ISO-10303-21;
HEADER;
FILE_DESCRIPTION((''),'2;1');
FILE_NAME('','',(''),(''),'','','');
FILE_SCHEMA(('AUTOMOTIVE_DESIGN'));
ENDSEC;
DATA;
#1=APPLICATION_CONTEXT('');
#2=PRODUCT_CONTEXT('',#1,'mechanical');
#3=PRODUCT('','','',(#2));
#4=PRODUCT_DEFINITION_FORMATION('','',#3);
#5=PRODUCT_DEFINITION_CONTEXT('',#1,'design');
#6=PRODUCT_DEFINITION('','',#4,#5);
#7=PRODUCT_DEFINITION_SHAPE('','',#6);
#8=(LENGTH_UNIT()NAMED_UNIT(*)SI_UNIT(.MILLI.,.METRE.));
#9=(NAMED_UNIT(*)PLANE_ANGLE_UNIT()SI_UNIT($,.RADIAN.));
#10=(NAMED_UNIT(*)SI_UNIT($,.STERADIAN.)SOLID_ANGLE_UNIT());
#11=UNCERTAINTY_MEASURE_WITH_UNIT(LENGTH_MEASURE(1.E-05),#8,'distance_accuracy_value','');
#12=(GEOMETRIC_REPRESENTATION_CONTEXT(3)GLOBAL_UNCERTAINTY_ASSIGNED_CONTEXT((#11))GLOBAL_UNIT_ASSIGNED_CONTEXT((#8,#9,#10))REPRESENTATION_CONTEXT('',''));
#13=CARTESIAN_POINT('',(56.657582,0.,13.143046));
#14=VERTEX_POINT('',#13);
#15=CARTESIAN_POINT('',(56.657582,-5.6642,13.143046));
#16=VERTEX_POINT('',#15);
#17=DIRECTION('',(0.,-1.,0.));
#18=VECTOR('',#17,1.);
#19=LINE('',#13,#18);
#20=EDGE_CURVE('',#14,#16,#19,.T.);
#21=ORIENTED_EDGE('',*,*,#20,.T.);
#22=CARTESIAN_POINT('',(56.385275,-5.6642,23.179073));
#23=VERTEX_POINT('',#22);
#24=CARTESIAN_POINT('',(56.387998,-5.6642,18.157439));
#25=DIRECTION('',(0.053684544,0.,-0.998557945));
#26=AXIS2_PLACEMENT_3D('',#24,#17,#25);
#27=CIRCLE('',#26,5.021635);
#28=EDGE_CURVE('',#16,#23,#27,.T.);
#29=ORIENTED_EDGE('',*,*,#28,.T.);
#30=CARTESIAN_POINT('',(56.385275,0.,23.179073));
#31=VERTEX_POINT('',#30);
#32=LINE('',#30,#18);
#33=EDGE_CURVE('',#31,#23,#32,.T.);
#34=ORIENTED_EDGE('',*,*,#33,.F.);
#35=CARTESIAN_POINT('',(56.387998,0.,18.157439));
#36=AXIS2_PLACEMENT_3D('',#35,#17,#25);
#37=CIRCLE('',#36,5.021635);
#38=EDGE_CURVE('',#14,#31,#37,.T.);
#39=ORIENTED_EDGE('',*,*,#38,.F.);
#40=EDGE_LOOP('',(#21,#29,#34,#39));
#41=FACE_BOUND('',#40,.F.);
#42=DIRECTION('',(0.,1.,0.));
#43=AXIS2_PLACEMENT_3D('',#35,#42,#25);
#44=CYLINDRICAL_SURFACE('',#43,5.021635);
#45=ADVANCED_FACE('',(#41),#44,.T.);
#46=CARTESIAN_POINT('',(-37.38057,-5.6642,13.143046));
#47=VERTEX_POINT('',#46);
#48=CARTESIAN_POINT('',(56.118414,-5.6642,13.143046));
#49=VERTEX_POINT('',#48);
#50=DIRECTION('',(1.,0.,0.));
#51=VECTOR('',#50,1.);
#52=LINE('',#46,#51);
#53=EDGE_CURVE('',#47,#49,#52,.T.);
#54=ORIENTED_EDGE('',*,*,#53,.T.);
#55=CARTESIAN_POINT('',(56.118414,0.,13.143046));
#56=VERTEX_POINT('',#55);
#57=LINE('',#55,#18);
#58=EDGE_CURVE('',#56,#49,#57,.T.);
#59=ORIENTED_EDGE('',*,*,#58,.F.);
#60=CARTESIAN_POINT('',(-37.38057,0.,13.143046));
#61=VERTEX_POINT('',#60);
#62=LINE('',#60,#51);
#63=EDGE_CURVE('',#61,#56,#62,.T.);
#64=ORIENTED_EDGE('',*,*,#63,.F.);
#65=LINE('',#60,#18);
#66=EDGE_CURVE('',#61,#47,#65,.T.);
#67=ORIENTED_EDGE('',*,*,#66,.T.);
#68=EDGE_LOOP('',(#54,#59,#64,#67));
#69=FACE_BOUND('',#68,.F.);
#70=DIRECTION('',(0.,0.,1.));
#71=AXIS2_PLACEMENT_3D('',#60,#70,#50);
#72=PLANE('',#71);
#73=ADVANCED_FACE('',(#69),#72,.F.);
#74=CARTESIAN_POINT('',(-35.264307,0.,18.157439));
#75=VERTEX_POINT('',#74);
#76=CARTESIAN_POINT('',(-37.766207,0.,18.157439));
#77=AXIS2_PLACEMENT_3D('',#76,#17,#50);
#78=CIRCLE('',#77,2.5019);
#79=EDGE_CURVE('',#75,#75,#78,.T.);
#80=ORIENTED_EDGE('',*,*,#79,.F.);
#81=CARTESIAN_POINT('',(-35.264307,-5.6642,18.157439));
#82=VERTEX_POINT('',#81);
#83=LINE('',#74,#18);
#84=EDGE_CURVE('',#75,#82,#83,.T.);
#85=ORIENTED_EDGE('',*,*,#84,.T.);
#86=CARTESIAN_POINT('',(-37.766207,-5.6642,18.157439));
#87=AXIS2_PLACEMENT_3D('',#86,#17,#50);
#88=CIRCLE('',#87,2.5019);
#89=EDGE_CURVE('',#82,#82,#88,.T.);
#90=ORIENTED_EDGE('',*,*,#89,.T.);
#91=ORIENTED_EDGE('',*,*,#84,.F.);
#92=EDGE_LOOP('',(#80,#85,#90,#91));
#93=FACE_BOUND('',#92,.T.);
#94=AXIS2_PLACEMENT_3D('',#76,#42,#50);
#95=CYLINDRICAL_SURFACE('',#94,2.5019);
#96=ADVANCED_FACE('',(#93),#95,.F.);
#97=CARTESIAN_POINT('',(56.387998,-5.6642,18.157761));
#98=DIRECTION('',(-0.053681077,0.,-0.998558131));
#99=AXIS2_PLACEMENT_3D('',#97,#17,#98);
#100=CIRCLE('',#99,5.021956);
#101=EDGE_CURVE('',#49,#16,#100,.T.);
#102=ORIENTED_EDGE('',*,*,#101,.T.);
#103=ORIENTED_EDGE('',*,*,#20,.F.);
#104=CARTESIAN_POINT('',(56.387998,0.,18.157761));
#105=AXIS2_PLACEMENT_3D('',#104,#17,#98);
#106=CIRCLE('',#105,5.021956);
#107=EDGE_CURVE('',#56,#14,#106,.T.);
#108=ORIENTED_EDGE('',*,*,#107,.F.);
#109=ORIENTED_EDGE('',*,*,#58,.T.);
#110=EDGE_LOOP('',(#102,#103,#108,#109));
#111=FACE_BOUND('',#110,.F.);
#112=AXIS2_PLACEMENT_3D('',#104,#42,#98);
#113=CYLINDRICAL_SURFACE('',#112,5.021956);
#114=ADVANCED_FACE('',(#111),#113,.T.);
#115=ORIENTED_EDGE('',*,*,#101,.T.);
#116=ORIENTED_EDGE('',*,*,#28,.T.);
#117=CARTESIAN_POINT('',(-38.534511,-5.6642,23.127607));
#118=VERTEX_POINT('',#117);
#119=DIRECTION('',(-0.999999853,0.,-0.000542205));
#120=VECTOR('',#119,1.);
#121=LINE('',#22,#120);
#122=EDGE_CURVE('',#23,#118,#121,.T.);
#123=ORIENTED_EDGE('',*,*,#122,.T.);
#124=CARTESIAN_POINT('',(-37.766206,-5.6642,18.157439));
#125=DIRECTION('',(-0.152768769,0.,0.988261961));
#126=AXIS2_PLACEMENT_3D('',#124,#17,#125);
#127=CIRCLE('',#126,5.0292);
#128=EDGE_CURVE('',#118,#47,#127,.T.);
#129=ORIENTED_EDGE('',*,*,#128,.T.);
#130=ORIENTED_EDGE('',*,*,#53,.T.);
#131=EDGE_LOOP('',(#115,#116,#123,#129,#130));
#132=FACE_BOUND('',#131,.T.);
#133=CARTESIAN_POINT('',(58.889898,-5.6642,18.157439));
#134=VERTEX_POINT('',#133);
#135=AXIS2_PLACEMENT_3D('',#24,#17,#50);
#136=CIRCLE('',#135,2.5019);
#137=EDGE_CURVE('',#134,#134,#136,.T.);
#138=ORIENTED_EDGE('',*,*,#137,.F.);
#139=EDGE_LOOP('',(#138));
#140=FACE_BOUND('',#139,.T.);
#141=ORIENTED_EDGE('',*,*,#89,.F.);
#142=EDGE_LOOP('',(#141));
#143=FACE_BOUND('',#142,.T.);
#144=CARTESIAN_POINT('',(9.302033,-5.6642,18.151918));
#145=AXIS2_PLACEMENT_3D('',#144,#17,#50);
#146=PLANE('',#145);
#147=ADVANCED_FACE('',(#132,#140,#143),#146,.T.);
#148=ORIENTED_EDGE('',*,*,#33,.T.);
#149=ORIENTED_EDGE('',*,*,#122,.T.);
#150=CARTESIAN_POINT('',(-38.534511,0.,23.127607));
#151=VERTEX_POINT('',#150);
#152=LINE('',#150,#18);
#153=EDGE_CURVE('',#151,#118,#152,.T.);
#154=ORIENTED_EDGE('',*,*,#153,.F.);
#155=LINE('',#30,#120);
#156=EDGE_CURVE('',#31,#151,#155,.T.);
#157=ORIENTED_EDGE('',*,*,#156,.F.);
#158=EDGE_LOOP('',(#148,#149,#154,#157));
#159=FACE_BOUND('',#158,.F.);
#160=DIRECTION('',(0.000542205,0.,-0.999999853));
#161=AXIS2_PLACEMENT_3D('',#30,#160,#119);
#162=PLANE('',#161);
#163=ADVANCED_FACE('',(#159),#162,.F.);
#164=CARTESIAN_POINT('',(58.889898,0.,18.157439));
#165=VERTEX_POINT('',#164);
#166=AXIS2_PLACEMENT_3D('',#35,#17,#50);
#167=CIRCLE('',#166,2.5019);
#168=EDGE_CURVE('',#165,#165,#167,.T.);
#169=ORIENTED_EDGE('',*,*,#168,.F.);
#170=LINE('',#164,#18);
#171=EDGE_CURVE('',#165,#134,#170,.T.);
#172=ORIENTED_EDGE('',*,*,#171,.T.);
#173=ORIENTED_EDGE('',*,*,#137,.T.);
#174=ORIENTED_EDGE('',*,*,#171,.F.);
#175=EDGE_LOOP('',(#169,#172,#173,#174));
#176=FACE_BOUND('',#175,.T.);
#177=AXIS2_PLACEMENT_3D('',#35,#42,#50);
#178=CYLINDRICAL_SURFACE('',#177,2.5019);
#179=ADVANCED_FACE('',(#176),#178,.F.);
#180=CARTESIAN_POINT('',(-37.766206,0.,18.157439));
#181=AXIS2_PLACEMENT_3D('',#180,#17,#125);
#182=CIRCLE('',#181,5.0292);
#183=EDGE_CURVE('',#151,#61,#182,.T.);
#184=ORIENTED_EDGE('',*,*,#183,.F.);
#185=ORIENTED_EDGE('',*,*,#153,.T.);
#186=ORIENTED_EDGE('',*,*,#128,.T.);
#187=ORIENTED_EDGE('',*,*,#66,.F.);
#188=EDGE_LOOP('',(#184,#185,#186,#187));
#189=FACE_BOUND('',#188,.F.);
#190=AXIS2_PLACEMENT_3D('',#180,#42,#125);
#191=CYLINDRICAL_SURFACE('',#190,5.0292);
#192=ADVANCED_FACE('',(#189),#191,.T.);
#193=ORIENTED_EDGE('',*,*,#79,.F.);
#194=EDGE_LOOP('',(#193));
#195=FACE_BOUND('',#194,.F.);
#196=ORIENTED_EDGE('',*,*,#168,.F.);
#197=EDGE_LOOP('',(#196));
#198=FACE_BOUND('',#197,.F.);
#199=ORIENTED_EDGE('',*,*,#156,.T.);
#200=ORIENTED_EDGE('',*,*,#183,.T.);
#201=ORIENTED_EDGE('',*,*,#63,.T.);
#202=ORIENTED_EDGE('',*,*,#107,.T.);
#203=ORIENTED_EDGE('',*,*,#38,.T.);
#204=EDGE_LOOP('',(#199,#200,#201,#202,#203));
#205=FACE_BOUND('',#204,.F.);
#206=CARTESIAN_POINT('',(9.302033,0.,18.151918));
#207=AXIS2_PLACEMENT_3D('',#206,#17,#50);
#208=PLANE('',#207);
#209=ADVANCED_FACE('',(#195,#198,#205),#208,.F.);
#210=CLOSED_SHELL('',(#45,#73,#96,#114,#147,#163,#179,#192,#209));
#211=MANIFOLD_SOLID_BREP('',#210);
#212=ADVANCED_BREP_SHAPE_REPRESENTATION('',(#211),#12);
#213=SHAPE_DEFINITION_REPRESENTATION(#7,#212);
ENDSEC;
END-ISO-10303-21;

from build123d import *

# Parameters (mm, degrees)
F0_R     = 2.5019
F1_DEPTH = 5.6642


with BuildPart() as f1:
    # F0 (on Front) → F1 (new body)
    with BuildSketch(Plane.XZ):
        with BuildLine():
            ThreePointArc((-38.534511, 23.127607), (-42.762152, 17.580046), (-37.38057, 13.143046))
            Line((-37.38057, 13.143046), (56.118414, 13.143046))
            Line((56.118414, 13.143046), (56.657582, 13.143046))
            ThreePointArc((56.657582, 13.143046), (61.407785, 18.293641), (56.385275, 23.179073))
            Line((56.385275, 23.179073), (-38.534511, 23.127607))
        make_face()
        with Locations((-37.766207, 18.157439)):
            Circle(F0_R, mode=Mode.SUBTRACT)
        with Locations((56.387998, 18.157439)):
            Circle(F0_R, mode=Mode.SUBTRACT)
        with BuildLine():
            Line((56.657582, 13.143046), (56.118414, 13.143046))
            ThreePointArc((56.118414, 13.143046), (56.387998, 13.135805), (56.657582, 13.143046))
        make_face()
    extrude(amount=F1_DEPTH)


solid = f1.part
